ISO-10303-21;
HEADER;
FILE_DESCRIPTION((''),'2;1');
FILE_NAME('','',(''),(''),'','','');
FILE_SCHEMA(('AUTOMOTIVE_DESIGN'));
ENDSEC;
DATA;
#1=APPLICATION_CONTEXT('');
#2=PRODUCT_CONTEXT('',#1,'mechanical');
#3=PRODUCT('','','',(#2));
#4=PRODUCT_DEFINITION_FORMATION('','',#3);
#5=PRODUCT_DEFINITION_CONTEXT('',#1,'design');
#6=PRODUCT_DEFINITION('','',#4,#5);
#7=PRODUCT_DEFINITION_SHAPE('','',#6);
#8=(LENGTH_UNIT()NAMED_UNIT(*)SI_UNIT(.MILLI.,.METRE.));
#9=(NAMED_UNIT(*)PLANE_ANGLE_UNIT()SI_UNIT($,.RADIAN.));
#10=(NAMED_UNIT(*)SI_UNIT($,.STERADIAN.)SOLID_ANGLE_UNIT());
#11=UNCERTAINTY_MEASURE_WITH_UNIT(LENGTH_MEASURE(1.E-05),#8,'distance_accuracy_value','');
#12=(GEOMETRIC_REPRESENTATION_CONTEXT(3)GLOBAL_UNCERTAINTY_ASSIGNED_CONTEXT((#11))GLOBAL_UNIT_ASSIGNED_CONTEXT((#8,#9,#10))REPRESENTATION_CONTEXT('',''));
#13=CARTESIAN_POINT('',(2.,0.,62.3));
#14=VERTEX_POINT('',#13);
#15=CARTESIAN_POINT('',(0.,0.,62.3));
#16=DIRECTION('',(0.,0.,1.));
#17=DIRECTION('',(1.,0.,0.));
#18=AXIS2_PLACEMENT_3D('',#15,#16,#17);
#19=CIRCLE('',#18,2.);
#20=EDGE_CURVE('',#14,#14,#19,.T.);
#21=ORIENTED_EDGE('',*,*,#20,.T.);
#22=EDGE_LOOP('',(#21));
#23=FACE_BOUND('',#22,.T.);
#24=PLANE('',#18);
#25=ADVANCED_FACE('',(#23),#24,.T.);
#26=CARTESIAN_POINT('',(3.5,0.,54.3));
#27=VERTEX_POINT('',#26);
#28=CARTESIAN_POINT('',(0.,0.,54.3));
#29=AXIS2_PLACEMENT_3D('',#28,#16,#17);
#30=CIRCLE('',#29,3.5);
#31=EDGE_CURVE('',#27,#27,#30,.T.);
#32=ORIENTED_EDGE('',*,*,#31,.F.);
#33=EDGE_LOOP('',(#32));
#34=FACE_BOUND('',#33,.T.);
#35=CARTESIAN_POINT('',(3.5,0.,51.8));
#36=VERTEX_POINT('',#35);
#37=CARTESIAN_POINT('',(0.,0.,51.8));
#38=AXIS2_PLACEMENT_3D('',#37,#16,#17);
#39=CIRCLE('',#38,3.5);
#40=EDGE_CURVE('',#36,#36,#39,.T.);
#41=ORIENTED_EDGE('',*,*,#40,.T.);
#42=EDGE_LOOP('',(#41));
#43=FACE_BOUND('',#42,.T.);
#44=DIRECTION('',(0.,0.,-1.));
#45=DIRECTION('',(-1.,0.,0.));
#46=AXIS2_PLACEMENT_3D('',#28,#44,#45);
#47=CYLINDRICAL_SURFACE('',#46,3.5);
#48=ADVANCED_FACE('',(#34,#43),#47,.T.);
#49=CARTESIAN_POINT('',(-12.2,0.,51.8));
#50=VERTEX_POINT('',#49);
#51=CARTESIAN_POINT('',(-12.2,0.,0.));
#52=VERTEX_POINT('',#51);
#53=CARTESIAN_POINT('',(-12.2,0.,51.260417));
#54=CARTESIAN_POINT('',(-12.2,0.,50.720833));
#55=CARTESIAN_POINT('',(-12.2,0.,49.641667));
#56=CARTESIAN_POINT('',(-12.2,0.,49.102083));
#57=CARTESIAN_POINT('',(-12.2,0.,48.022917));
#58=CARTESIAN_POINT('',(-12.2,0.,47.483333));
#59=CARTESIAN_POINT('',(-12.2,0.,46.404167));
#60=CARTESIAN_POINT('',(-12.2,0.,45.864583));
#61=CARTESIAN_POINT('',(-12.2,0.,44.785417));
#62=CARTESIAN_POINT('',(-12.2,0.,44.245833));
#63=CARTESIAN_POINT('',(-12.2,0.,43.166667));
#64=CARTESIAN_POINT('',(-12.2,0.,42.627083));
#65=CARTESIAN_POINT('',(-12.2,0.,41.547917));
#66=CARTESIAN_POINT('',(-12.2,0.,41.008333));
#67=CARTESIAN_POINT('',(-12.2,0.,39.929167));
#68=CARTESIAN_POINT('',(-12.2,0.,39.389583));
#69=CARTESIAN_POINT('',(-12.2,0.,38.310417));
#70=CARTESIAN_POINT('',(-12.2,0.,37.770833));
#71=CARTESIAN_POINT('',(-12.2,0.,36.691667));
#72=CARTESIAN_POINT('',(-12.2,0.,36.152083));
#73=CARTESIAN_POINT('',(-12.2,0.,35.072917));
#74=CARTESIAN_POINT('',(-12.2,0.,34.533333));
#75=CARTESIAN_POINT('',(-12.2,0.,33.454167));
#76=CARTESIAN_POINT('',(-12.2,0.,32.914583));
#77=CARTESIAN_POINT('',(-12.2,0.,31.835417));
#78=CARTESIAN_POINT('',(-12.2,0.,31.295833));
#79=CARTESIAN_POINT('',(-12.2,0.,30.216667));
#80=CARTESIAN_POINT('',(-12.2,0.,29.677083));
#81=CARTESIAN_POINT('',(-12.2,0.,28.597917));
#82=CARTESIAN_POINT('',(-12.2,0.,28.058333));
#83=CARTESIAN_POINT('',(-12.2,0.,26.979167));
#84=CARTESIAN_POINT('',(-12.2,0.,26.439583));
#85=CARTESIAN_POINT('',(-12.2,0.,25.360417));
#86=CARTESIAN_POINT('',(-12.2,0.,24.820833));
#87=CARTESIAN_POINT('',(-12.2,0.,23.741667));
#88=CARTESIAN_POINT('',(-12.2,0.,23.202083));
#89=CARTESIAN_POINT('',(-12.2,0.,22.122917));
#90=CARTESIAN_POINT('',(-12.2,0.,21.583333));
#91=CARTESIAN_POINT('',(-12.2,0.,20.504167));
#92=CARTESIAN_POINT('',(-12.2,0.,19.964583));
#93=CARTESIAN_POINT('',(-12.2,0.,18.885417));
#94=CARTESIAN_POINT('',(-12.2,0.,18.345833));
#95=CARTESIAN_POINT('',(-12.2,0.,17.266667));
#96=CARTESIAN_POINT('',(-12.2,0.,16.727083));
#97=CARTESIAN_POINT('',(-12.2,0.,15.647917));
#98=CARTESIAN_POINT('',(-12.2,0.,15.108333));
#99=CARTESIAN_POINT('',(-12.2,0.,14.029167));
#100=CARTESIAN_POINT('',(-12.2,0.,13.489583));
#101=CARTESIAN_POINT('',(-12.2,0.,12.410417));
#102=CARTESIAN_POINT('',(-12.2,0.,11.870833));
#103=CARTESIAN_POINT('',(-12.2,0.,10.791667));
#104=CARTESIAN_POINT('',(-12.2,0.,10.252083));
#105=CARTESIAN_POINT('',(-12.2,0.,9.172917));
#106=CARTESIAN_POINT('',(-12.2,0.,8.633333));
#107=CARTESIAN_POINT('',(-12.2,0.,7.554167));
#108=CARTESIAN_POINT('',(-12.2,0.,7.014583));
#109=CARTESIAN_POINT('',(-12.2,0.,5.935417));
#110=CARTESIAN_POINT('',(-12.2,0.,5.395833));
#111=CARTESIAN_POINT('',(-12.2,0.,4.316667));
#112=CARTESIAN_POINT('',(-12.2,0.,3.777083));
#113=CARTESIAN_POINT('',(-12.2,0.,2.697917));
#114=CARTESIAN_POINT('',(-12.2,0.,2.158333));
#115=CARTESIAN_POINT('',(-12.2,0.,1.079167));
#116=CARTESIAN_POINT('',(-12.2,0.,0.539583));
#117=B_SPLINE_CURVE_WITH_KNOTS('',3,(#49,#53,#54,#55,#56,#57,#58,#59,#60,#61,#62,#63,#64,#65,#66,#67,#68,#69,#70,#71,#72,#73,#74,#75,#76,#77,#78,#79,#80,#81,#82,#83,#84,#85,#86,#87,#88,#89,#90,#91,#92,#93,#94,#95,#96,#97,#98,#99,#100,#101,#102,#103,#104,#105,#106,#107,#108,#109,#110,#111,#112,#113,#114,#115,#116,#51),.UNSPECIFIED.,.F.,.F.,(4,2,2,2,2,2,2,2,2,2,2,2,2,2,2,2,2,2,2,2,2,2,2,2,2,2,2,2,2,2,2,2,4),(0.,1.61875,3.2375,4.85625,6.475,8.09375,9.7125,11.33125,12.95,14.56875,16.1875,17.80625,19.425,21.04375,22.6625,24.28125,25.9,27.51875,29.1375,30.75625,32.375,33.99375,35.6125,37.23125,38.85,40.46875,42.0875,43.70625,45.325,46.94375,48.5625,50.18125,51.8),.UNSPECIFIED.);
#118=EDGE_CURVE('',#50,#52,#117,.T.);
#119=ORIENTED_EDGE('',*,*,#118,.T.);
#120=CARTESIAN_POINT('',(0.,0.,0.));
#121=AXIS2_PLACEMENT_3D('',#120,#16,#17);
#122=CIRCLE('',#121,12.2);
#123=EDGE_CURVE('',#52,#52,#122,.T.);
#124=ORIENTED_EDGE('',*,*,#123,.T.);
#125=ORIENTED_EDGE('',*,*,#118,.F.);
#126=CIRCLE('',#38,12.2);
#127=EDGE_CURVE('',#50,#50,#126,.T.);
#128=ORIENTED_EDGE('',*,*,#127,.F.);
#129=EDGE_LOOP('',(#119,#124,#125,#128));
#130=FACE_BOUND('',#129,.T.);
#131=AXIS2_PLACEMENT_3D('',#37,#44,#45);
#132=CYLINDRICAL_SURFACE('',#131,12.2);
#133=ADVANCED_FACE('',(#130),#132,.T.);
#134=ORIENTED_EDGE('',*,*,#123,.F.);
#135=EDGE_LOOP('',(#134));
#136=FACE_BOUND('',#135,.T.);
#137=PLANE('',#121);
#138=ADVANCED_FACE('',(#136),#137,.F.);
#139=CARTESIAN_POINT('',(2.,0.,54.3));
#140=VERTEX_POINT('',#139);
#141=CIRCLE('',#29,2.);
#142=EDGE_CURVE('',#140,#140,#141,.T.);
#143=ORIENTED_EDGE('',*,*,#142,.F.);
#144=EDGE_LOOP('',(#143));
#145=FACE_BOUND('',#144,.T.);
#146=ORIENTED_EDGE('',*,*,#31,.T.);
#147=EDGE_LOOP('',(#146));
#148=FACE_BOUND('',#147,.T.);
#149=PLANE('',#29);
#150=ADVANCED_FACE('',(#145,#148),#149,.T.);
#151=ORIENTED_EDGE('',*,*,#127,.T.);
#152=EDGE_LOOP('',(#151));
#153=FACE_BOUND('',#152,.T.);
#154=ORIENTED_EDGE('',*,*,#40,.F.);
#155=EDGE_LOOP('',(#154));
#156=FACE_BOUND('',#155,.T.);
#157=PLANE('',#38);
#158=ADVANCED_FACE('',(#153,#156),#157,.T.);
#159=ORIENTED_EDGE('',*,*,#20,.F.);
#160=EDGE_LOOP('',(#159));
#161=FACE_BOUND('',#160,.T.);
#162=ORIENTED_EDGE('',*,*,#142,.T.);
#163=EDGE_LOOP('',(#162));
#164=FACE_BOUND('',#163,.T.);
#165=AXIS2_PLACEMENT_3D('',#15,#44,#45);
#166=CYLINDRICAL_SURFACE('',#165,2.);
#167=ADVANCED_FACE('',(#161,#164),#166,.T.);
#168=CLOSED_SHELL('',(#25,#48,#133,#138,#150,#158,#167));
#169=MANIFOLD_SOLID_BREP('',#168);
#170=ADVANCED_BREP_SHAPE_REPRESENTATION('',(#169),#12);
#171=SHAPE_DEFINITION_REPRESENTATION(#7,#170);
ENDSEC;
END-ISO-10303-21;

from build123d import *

# Parameters (mm, degrees)
SKETCH_1_R      = 12.2
EXTRUDE_1_DEPTH = 51.8
SKETCH_5_R      = 3.5
EXTRUDE_3_DEPTH = 2.5
SKETCH_6_R      = 2
EXTRUDE_4_DEPTH = 8


with BuildPart() as part:
    # 草图1 → 凸台-拉伸1 (new body)
    with BuildSketch(Plane.XY):
        with Locations(Location((0, 0, 0), (0, 0, 180))):
            Circle(SKETCH_1_R)
    extrude(amount=EXTRUDE_1_DEPTH)

    # 草图5 → 凸台-拉伸3 (add)
    with BuildSketch(Plane.XY.offset(51.8)):
        Circle(SKETCH_5_R)
    extrude(amount=EXTRUDE_3_DEPTH)

    # 草图6 → 凸台-拉伸4 (add)
    with BuildSketch(Plane.XY.offset(54.3)):
        Circle(SKETCH_6_R)
    extrude(amount=EXTRUDE_4_DEPTH)


solid = part.part
